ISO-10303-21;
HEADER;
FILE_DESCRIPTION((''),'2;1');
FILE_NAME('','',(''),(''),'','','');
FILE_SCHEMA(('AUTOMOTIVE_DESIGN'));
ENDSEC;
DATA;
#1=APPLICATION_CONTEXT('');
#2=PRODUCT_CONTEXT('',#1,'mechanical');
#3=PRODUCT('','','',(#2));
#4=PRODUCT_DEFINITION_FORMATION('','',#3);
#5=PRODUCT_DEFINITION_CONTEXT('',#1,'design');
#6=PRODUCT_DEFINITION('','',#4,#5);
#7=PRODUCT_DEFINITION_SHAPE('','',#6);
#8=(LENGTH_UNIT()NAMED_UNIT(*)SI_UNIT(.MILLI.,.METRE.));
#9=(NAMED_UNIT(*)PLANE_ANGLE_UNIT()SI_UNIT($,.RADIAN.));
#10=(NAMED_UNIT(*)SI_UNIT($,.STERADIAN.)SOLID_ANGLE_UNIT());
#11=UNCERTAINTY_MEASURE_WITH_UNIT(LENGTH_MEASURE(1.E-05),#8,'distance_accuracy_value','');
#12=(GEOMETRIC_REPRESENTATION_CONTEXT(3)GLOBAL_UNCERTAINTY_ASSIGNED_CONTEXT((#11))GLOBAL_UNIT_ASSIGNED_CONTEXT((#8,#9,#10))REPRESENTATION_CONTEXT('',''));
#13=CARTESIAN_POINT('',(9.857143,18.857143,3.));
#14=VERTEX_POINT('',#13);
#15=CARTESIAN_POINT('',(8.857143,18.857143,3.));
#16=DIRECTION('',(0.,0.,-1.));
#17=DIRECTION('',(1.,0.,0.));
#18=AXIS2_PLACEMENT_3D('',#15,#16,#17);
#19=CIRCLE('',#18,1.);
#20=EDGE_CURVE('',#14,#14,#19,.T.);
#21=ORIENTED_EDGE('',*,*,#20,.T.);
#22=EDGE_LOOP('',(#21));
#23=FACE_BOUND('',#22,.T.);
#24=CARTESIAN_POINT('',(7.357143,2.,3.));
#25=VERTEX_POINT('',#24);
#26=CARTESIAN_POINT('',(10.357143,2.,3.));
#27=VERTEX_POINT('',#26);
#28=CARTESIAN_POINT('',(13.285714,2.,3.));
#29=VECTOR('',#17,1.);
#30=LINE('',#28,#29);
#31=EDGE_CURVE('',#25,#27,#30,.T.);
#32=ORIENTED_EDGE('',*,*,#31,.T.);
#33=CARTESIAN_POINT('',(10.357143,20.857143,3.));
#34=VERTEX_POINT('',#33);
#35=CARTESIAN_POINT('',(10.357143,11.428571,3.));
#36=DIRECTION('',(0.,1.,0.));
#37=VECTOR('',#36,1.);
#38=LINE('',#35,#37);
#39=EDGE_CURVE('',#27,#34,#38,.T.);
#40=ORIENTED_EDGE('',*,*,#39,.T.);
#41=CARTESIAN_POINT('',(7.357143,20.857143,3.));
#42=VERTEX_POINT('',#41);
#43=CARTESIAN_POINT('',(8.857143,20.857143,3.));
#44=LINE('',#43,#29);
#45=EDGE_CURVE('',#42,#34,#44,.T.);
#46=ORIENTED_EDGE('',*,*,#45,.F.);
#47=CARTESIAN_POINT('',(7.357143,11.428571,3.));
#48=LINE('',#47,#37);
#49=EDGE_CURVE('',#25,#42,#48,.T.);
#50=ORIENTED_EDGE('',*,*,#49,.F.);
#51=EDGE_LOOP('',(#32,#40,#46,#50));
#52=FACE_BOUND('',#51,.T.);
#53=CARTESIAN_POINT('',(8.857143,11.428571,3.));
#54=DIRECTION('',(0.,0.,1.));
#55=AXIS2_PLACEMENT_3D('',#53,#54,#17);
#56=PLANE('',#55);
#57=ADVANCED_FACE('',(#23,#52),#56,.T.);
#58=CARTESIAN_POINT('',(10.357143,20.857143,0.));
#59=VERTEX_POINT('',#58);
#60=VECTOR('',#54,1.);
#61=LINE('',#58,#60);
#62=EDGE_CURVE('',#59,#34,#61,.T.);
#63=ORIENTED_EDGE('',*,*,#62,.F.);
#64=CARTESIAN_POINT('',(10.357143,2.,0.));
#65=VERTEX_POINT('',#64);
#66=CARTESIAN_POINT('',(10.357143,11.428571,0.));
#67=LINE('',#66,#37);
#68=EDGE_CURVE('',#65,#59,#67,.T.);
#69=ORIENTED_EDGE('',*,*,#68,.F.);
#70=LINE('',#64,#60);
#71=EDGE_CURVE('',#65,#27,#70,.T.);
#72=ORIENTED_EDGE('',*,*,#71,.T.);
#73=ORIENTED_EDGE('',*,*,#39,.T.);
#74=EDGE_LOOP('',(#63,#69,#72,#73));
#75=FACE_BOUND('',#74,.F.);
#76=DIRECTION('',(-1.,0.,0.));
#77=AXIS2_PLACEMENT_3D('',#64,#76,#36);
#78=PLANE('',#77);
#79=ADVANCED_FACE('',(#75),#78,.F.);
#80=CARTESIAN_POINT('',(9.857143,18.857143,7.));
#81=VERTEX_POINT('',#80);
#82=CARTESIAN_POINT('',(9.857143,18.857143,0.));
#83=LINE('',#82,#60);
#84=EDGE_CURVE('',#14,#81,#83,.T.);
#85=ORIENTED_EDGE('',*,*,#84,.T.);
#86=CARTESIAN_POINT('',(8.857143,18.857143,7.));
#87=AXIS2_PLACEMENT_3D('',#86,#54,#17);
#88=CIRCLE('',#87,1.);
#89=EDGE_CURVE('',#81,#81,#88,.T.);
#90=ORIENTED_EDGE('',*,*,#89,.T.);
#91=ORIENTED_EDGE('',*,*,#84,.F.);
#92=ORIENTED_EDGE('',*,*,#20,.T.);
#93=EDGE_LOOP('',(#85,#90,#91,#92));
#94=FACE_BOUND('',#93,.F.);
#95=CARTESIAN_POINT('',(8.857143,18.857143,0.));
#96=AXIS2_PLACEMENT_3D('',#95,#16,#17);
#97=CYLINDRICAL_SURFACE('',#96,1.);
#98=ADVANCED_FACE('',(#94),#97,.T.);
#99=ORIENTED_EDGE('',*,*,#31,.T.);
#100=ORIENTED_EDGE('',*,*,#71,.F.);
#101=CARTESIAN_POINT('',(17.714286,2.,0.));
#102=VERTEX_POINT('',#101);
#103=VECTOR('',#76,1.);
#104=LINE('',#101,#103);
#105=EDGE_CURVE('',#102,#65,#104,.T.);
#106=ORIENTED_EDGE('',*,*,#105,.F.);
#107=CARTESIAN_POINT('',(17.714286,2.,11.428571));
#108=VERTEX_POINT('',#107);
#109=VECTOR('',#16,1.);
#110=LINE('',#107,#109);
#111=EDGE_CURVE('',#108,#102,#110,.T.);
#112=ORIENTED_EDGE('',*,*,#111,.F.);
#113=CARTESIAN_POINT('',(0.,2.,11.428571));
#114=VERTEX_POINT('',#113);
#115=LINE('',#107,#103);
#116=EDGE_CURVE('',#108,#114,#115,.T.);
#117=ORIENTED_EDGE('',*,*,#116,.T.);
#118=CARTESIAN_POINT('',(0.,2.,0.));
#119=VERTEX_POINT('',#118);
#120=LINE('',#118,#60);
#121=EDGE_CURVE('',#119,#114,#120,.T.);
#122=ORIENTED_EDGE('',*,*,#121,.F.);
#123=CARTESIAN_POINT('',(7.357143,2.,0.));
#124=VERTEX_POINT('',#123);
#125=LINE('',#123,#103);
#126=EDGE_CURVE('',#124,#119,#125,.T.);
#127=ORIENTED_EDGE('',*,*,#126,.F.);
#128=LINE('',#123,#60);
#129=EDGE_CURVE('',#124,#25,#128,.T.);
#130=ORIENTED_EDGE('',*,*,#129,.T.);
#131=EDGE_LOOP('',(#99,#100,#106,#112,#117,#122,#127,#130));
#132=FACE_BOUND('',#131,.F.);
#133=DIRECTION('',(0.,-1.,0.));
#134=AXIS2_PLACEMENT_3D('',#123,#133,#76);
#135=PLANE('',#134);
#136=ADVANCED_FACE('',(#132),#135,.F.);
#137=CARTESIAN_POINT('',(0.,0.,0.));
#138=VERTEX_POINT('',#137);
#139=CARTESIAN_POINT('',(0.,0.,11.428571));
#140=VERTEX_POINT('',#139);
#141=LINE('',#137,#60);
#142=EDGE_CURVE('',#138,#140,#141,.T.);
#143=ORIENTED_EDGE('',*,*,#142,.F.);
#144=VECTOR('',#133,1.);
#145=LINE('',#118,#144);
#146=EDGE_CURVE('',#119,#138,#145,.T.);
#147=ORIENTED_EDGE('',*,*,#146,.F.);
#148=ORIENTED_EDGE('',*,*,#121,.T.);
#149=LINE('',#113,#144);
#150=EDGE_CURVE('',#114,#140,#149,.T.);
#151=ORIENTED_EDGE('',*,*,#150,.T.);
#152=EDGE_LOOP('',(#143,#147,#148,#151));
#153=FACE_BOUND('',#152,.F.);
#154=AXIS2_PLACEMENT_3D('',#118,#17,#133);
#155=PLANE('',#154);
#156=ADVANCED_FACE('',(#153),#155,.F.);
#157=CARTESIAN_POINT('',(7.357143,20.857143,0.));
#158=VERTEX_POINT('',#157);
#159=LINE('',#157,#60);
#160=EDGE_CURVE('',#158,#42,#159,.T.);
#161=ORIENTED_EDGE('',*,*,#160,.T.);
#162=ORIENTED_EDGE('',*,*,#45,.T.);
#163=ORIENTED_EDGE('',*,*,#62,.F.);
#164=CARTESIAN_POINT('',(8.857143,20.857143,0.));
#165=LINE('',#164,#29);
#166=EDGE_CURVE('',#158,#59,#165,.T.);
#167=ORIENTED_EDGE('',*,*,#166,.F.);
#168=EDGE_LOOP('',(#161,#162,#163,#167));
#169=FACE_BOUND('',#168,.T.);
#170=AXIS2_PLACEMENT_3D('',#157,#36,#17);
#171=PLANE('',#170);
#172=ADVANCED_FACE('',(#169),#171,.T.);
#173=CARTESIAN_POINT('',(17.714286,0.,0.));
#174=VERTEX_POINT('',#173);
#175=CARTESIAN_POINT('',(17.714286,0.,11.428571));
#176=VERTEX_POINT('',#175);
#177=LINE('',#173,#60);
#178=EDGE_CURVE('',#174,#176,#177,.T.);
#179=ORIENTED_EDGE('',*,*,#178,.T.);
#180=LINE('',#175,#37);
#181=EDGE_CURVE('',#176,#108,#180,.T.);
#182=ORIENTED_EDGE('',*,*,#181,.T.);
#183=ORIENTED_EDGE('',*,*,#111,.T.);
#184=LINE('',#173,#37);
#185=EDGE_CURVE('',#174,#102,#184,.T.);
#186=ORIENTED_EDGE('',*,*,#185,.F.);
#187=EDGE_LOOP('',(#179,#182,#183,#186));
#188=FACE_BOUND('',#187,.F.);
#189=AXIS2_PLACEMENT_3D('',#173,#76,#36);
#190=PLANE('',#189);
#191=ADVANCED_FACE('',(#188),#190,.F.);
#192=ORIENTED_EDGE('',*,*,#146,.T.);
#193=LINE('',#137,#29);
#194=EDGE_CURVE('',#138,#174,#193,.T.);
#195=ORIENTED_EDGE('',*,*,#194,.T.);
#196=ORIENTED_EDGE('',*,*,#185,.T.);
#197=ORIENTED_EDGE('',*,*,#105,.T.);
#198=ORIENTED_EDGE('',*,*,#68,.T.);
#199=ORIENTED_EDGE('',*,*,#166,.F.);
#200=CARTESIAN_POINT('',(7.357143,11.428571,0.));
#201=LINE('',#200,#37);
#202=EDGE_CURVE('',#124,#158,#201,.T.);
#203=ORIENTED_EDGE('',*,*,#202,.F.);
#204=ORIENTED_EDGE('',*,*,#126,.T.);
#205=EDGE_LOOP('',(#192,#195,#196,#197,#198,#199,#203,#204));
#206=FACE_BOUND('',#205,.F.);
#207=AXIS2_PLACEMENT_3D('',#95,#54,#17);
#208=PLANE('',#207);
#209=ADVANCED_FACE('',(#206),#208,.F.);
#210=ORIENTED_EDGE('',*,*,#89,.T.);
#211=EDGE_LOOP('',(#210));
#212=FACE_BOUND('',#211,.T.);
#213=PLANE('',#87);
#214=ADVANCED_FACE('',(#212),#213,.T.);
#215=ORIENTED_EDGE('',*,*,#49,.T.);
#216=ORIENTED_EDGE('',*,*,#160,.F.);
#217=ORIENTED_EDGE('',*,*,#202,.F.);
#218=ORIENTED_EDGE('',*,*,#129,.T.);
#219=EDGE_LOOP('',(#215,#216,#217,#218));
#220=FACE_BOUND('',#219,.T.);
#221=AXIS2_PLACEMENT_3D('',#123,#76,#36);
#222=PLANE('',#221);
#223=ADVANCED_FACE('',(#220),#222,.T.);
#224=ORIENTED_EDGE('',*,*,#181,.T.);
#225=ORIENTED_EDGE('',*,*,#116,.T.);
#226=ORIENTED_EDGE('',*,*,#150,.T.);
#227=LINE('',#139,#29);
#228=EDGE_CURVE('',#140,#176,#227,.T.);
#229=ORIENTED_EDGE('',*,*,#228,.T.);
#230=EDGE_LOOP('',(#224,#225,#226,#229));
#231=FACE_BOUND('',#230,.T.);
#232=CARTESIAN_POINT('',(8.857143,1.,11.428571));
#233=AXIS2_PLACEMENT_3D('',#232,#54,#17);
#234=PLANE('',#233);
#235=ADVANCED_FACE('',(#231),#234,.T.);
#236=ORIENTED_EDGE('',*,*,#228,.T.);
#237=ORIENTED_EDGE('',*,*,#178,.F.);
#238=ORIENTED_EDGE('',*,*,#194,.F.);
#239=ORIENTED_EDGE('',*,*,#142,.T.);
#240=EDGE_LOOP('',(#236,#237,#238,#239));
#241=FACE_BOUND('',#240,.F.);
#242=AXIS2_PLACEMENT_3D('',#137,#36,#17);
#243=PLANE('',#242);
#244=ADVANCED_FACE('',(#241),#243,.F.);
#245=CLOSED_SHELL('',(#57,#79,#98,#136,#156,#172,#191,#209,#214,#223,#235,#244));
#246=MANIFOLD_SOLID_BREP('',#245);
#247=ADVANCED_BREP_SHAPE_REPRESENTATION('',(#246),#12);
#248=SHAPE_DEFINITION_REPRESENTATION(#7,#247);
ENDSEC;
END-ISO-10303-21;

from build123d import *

# Parameters (mm, degrees)
F1_W     = 3
F1_H     = 18.8571428571
F1_R     = 1
F2_DEPTH = 3
F3_DEPTH = 11.4285714286
F4_DEPTH = 7


with BuildPart() as f2:
    # F1 (on Top) → F2 (new body)
    with BuildSketch(Plane.XY):
        with Locations((8.8571428571, 11.4285714286)):
            Rectangle(F1_W, F1_H)
        with Locations((8.8571428571, 18.8571428571)):
            Circle(F1_R, mode=Mode.SUBTRACT)
        Polygon((0, 2), (0, 0), (17.7142857143, 0), (17.7142857143, 2), (10.3571428571, 2), (7.3571428571, 2), align=None)
        with Locations((8.8571428571, 18.8571428571)):
            Circle(F1_R)
    extrude(amount=F2_DEPTH)

    # F1 (on Top) → F3 (join)
    with BuildSketch(Plane.XY):
        Polygon((0, 2), (0, 0), (17.7142857143, 0), (17.7142857143, 2), (10.3571428571, 2), (7.3571428571, 2), align=None)
    extrude(amount=F3_DEPTH)

    # F1 (on Top) → F4 (join)
    with BuildSketch(Plane.XY):
        with Locations((8.8571428571, 18.8571428571)):
            Circle(F1_R)
    extrude(amount=F4_DEPTH)


solid = f2.part
